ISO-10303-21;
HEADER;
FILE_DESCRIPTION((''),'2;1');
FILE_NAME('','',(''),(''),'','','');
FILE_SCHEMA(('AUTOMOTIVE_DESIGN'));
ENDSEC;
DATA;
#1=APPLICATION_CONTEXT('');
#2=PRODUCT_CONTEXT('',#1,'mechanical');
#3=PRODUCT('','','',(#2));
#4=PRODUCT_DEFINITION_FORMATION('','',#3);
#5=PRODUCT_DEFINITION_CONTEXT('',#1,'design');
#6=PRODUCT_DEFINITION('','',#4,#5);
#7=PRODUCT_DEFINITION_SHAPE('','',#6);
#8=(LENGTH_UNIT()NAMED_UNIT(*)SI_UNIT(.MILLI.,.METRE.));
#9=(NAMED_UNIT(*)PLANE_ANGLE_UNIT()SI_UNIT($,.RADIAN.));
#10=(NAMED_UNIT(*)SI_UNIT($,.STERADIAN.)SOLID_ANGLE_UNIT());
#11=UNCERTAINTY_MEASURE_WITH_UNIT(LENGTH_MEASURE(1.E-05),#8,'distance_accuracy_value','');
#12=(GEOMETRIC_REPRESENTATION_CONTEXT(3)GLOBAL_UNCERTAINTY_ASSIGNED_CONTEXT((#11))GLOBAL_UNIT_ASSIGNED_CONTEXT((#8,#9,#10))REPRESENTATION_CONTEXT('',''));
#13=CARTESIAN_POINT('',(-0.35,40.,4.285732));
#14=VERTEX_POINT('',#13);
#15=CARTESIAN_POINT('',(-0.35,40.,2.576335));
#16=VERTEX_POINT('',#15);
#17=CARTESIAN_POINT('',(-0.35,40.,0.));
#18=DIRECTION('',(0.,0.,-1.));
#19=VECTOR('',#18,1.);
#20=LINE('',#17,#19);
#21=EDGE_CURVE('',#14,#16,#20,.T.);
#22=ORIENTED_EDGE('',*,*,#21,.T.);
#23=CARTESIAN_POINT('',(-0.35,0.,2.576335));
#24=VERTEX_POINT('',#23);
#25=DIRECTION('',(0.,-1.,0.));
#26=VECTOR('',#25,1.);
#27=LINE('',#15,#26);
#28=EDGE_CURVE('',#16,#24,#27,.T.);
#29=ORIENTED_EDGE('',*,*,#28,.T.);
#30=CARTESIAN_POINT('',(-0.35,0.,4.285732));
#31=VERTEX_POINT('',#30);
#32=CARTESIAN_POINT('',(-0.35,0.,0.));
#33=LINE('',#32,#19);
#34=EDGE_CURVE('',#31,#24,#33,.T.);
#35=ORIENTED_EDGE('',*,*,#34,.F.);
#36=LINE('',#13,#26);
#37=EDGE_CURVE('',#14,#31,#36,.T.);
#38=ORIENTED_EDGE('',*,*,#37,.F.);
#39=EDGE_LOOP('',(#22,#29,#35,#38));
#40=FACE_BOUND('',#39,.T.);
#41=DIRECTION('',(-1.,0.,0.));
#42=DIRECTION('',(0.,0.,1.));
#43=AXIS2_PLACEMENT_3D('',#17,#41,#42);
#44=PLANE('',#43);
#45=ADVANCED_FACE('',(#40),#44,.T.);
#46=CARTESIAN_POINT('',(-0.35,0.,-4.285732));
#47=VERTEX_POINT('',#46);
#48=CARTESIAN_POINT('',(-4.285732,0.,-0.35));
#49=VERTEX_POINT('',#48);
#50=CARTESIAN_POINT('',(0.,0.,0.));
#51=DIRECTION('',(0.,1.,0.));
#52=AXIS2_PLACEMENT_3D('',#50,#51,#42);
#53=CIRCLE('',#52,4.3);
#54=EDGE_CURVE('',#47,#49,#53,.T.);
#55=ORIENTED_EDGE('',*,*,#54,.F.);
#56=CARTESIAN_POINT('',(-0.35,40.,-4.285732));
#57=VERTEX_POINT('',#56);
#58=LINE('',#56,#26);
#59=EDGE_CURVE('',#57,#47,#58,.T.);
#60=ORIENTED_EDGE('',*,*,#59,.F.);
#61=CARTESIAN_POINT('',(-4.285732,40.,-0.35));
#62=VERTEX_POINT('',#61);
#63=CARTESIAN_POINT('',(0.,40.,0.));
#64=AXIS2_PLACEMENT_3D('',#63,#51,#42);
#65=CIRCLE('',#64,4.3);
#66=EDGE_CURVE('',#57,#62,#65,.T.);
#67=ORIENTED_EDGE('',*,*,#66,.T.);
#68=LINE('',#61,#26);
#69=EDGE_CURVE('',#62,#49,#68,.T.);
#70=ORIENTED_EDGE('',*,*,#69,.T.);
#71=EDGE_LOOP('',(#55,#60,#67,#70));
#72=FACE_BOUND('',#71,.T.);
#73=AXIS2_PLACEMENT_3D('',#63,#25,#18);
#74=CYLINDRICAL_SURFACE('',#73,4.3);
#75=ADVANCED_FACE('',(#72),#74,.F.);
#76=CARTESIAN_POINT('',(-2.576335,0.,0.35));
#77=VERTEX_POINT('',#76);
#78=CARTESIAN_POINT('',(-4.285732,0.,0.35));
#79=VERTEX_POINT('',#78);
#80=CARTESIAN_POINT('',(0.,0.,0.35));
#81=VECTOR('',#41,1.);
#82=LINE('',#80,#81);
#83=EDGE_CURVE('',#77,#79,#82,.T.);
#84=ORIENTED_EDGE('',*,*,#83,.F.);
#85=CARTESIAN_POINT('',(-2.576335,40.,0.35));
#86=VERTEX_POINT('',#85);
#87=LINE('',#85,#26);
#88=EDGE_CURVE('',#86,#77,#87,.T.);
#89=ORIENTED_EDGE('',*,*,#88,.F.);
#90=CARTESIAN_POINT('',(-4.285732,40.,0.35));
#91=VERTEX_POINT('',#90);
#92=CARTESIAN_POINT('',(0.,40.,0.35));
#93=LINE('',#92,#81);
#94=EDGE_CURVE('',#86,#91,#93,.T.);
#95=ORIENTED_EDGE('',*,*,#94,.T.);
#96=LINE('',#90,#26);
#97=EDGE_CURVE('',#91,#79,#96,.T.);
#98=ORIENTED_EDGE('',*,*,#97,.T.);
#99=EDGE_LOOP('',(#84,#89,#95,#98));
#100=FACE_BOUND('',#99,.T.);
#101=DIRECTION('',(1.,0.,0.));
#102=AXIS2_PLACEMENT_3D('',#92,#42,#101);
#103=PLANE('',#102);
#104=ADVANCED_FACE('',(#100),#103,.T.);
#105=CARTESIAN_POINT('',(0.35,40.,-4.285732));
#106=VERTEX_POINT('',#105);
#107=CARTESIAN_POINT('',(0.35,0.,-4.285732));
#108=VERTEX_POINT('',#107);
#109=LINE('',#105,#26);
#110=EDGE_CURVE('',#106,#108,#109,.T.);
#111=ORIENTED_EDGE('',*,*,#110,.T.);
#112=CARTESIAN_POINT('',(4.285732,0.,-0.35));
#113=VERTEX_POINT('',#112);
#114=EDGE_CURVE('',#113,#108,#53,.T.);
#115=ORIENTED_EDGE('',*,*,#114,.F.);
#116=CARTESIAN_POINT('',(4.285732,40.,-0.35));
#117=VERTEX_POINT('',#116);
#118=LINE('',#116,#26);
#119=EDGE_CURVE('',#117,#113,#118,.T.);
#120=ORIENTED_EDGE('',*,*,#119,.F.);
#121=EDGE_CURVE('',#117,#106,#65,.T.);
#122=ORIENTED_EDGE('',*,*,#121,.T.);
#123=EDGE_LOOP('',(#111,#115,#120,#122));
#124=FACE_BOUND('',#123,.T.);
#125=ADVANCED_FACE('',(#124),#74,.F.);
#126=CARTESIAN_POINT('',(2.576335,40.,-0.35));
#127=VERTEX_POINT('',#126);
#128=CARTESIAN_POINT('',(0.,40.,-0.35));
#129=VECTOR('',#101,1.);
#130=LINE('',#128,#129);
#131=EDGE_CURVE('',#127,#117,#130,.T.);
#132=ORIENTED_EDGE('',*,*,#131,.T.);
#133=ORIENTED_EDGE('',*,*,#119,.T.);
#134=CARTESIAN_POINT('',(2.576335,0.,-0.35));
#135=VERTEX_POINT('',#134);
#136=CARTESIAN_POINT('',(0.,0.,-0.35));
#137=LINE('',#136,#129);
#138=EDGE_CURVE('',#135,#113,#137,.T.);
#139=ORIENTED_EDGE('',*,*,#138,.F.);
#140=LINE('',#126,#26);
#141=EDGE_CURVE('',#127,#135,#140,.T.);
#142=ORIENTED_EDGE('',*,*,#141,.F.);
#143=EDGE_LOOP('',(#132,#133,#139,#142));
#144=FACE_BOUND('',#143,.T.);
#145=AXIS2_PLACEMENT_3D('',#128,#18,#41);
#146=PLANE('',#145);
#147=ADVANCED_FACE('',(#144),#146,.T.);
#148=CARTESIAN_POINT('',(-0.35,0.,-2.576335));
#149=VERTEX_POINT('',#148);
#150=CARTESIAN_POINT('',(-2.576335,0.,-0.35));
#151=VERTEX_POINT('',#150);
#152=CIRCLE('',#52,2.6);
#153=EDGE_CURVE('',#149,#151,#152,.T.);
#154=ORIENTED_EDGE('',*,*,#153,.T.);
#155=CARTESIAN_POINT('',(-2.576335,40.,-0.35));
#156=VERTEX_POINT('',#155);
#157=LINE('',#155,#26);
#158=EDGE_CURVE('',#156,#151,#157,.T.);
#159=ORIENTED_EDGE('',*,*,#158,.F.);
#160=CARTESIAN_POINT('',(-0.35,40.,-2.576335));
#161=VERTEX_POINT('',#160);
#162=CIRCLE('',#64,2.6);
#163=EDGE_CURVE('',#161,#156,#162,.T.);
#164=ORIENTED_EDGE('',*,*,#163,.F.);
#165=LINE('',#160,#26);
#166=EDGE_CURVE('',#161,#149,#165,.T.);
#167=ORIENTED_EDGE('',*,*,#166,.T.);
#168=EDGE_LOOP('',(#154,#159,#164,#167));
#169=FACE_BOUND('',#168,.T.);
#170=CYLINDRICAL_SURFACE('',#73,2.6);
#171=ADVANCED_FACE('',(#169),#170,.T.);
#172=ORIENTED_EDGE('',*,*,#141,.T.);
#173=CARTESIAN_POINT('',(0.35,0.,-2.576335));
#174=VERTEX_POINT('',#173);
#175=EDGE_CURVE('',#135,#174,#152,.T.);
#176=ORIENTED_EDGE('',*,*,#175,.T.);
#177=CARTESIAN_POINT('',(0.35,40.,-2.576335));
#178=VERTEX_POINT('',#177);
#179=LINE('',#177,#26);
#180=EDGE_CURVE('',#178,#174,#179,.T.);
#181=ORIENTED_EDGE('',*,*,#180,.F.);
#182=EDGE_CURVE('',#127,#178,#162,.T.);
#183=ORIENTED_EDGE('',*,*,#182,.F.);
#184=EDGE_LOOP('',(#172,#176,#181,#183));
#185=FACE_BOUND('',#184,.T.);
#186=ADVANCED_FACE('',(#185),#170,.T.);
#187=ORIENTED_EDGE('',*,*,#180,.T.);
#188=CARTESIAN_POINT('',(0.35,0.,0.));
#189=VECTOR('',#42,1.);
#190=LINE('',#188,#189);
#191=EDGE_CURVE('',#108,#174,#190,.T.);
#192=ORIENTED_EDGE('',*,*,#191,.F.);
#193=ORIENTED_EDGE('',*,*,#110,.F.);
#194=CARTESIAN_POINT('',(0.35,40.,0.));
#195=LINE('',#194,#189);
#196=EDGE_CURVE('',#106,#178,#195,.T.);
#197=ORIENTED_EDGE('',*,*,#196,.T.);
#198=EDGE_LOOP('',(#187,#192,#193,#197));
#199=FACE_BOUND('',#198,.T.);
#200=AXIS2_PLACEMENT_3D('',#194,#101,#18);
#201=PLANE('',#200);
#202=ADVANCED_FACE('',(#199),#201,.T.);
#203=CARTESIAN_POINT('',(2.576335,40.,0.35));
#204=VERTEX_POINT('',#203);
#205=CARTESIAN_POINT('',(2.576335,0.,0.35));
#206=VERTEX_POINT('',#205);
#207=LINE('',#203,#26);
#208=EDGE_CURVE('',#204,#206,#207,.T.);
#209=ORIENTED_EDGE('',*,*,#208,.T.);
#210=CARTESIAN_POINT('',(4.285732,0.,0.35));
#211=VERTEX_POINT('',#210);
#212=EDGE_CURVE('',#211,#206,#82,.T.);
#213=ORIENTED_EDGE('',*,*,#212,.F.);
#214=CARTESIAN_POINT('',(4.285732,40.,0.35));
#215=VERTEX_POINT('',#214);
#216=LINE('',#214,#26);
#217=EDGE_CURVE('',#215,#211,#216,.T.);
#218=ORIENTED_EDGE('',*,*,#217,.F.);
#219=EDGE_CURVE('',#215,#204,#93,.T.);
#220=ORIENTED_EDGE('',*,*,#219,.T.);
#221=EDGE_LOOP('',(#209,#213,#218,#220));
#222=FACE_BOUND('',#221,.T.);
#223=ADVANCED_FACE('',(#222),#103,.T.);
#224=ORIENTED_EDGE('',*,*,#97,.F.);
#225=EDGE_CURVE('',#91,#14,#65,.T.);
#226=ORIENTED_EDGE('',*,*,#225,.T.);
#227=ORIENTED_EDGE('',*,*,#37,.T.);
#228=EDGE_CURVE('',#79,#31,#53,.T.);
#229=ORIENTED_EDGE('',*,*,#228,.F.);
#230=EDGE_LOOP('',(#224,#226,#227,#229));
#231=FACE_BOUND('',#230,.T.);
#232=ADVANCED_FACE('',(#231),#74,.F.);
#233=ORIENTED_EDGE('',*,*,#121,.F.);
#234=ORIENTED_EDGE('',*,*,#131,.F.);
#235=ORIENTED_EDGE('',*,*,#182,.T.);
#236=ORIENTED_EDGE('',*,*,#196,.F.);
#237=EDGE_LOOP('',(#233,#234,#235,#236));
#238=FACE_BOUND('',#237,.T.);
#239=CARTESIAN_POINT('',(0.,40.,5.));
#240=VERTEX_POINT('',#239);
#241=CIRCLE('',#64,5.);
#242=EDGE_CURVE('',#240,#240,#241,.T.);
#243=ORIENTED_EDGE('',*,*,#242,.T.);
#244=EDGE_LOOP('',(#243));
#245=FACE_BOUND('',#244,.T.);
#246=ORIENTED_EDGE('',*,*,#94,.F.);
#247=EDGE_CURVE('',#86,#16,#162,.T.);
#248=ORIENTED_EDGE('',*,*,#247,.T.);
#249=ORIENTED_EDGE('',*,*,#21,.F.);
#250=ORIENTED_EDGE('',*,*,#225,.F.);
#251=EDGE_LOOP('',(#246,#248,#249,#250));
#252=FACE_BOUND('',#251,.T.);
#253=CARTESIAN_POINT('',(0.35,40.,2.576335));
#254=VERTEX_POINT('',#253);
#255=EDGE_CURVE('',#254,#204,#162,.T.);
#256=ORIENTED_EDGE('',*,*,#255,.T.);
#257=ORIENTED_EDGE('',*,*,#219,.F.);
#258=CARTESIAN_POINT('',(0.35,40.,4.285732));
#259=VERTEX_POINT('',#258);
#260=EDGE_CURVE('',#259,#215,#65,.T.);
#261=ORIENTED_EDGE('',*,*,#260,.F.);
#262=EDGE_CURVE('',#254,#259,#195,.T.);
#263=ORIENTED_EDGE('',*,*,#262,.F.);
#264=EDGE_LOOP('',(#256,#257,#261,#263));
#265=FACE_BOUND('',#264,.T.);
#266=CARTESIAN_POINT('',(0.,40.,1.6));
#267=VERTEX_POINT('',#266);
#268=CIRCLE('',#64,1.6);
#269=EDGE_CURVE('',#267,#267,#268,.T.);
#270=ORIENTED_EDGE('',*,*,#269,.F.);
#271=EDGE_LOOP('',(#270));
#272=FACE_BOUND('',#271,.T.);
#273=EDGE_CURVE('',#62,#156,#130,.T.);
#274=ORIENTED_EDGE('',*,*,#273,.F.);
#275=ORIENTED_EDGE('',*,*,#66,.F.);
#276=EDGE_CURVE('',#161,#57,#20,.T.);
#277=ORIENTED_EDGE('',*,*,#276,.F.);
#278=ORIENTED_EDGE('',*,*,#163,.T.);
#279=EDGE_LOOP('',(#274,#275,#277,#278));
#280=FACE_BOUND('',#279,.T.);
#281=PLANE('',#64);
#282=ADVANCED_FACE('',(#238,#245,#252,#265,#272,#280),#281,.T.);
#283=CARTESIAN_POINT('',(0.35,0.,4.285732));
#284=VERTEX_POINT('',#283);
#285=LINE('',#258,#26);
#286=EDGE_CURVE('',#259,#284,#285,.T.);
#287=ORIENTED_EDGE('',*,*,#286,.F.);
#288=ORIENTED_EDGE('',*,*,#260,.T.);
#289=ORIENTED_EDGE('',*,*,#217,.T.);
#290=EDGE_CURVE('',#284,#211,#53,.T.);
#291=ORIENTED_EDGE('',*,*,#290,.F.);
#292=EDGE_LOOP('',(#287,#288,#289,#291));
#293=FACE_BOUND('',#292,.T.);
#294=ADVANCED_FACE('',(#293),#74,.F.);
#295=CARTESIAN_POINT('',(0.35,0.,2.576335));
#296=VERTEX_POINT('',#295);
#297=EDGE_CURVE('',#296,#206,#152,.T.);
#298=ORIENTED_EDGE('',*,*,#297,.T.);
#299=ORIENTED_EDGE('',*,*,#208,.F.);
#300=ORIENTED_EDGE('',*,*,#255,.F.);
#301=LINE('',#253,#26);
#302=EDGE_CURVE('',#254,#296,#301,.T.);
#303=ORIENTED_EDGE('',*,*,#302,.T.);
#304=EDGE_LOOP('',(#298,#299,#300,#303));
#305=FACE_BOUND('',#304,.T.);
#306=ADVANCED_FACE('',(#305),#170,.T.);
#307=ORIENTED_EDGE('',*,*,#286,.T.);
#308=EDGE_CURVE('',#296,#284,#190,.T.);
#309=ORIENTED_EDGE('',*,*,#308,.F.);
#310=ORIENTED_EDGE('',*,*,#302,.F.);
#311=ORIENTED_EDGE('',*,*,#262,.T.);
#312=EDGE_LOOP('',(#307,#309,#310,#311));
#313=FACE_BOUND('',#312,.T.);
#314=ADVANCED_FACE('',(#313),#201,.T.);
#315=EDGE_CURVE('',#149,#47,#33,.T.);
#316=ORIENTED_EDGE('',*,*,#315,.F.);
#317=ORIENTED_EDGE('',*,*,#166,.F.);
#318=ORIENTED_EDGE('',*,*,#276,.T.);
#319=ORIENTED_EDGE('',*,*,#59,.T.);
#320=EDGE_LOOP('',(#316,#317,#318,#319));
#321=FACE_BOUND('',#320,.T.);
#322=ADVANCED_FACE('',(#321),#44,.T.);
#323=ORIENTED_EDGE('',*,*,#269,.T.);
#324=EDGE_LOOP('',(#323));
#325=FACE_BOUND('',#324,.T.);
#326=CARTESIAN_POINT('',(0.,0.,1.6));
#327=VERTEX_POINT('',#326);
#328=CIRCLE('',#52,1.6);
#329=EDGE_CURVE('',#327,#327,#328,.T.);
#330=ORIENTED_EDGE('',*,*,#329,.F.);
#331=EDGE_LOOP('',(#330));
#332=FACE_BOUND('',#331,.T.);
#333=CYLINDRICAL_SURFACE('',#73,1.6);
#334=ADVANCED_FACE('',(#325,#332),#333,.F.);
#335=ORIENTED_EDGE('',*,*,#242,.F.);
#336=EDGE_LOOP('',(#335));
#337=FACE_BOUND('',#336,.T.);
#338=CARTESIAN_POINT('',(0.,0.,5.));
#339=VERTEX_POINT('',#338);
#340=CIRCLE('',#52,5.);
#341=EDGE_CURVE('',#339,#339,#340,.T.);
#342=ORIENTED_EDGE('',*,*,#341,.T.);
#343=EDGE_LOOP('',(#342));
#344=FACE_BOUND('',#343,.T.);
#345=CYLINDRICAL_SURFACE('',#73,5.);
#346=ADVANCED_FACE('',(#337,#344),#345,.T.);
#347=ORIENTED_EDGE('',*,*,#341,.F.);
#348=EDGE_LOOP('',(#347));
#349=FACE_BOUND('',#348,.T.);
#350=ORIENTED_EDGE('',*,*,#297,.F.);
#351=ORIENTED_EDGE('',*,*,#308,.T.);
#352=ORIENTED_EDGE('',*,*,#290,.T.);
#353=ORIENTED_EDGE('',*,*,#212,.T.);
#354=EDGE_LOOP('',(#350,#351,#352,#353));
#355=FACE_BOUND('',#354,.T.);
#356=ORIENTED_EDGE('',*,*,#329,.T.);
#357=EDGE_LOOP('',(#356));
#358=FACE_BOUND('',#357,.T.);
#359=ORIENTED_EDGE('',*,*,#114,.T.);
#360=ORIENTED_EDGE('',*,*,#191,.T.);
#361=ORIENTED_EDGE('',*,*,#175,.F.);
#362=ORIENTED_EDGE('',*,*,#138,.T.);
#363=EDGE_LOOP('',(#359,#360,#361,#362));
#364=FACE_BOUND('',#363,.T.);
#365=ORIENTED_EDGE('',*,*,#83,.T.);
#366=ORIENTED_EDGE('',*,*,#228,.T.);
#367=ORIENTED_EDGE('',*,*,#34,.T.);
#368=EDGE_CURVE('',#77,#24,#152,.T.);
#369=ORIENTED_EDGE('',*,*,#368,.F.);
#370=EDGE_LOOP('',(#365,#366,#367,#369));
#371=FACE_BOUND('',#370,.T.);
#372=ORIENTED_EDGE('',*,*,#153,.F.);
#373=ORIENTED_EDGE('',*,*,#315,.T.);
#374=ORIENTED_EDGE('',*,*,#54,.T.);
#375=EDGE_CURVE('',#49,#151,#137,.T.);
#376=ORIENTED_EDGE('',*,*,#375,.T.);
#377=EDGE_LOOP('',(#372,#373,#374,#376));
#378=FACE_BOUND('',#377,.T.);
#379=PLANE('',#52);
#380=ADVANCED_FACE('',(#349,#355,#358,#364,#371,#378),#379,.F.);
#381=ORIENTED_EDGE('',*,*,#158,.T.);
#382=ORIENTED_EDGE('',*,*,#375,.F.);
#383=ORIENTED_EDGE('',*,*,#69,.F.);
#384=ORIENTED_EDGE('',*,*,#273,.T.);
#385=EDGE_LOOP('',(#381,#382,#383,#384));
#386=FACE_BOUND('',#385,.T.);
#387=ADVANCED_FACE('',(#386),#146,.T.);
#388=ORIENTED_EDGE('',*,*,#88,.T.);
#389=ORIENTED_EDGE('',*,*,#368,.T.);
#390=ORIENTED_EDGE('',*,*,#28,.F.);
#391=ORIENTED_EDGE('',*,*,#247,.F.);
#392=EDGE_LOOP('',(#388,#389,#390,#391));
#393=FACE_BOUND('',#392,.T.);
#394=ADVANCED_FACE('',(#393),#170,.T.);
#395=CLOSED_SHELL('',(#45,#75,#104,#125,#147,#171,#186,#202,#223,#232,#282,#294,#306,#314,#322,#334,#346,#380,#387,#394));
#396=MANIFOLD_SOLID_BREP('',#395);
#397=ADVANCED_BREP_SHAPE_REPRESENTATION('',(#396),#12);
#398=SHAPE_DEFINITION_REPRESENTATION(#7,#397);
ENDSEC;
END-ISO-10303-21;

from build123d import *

# Parameters (mm, degrees)
SKETCH_1_R      = 5
SKETCH_1_R_2    = 1.6
EXTRUDE_1_DEPTH = 40


with BuildPart() as part:
    # 草图1 → 凸台-拉伸1 (new body)
    with BuildSketch(Plane(origin=(0, 0, 0), x_dir=(1, 0, 0), z_dir=(0, 1, 0))):
        with Locations(Location((0, 0, 0), (0, 0, 270))):
            Circle(SKETCH_1_R)
        with Locations(Location((0, 0, 0), (0, 0, 270))):
            Circle(SKETCH_1_R_2, mode=Mode.SUBTRACT)
        with BuildLine():
            ThreePointArc((4.285732143, 0.35), (3.040559159, 3.040559159), (0.35, 4.285732143))
            Line((0.35, 4.285732143), (0.35, 2.576334606))
            ThreePointArc((0.35, 2.576334606), (1.838477631, 1.838477631), (2.576334606, 0.35))
            Line((2.576334606, 0.35), (4.285732143, 0.35))
        make_face(mode=Mode.SUBTRACT)
        with BuildLine():
            ThreePointArc((0.35, -4.285732143), (3.040559159, -3.040559159), (4.285732143, -0.35))
            Line((4.285732143, -0.35), (2.576334606, -0.35))
            ThreePointArc((2.576334606, -0.35), (1.838477631, -1.838477631), (0.35, -2.576334606))
            Line((0.35, -2.576334606), (0.35, -4.285732143))
        make_face(mode=Mode.SUBTRACT)
        with BuildLine():
            ThreePointArc((-4.285732143, -0.35), (-3.040559159, -3.040559159), (-0.35, -4.285732143))
            Line((-0.35, -4.285732143), (-0.35, -2.576334606))
            ThreePointArc((-0.35, -2.576334606), (-1.838477631, -1.838477631), (-2.576334606, -0.35))
            Line((-2.576334606, -0.35), (-4.285732143, -0.35))
        make_face(mode=Mode.SUBTRACT)
        with BuildLine():
            ThreePointArc((-0.35, 4.285732143), (-3.040559159, 3.040559159), (-4.285732143, 0.35))
            Line((-4.285732143, 0.35), (-2.576334606, 0.35))
            ThreePointArc((-2.576334606, 0.35), (-1.838477631, 1.838477631), (-0.35, 2.576334606))
            Line((-0.35, 2.576334606), (-0.35, 4.285732143))
        make_face(mode=Mode.SUBTRACT)
    extrude(amount=EXTRUDE_1_DEPTH)


solid = part.part
